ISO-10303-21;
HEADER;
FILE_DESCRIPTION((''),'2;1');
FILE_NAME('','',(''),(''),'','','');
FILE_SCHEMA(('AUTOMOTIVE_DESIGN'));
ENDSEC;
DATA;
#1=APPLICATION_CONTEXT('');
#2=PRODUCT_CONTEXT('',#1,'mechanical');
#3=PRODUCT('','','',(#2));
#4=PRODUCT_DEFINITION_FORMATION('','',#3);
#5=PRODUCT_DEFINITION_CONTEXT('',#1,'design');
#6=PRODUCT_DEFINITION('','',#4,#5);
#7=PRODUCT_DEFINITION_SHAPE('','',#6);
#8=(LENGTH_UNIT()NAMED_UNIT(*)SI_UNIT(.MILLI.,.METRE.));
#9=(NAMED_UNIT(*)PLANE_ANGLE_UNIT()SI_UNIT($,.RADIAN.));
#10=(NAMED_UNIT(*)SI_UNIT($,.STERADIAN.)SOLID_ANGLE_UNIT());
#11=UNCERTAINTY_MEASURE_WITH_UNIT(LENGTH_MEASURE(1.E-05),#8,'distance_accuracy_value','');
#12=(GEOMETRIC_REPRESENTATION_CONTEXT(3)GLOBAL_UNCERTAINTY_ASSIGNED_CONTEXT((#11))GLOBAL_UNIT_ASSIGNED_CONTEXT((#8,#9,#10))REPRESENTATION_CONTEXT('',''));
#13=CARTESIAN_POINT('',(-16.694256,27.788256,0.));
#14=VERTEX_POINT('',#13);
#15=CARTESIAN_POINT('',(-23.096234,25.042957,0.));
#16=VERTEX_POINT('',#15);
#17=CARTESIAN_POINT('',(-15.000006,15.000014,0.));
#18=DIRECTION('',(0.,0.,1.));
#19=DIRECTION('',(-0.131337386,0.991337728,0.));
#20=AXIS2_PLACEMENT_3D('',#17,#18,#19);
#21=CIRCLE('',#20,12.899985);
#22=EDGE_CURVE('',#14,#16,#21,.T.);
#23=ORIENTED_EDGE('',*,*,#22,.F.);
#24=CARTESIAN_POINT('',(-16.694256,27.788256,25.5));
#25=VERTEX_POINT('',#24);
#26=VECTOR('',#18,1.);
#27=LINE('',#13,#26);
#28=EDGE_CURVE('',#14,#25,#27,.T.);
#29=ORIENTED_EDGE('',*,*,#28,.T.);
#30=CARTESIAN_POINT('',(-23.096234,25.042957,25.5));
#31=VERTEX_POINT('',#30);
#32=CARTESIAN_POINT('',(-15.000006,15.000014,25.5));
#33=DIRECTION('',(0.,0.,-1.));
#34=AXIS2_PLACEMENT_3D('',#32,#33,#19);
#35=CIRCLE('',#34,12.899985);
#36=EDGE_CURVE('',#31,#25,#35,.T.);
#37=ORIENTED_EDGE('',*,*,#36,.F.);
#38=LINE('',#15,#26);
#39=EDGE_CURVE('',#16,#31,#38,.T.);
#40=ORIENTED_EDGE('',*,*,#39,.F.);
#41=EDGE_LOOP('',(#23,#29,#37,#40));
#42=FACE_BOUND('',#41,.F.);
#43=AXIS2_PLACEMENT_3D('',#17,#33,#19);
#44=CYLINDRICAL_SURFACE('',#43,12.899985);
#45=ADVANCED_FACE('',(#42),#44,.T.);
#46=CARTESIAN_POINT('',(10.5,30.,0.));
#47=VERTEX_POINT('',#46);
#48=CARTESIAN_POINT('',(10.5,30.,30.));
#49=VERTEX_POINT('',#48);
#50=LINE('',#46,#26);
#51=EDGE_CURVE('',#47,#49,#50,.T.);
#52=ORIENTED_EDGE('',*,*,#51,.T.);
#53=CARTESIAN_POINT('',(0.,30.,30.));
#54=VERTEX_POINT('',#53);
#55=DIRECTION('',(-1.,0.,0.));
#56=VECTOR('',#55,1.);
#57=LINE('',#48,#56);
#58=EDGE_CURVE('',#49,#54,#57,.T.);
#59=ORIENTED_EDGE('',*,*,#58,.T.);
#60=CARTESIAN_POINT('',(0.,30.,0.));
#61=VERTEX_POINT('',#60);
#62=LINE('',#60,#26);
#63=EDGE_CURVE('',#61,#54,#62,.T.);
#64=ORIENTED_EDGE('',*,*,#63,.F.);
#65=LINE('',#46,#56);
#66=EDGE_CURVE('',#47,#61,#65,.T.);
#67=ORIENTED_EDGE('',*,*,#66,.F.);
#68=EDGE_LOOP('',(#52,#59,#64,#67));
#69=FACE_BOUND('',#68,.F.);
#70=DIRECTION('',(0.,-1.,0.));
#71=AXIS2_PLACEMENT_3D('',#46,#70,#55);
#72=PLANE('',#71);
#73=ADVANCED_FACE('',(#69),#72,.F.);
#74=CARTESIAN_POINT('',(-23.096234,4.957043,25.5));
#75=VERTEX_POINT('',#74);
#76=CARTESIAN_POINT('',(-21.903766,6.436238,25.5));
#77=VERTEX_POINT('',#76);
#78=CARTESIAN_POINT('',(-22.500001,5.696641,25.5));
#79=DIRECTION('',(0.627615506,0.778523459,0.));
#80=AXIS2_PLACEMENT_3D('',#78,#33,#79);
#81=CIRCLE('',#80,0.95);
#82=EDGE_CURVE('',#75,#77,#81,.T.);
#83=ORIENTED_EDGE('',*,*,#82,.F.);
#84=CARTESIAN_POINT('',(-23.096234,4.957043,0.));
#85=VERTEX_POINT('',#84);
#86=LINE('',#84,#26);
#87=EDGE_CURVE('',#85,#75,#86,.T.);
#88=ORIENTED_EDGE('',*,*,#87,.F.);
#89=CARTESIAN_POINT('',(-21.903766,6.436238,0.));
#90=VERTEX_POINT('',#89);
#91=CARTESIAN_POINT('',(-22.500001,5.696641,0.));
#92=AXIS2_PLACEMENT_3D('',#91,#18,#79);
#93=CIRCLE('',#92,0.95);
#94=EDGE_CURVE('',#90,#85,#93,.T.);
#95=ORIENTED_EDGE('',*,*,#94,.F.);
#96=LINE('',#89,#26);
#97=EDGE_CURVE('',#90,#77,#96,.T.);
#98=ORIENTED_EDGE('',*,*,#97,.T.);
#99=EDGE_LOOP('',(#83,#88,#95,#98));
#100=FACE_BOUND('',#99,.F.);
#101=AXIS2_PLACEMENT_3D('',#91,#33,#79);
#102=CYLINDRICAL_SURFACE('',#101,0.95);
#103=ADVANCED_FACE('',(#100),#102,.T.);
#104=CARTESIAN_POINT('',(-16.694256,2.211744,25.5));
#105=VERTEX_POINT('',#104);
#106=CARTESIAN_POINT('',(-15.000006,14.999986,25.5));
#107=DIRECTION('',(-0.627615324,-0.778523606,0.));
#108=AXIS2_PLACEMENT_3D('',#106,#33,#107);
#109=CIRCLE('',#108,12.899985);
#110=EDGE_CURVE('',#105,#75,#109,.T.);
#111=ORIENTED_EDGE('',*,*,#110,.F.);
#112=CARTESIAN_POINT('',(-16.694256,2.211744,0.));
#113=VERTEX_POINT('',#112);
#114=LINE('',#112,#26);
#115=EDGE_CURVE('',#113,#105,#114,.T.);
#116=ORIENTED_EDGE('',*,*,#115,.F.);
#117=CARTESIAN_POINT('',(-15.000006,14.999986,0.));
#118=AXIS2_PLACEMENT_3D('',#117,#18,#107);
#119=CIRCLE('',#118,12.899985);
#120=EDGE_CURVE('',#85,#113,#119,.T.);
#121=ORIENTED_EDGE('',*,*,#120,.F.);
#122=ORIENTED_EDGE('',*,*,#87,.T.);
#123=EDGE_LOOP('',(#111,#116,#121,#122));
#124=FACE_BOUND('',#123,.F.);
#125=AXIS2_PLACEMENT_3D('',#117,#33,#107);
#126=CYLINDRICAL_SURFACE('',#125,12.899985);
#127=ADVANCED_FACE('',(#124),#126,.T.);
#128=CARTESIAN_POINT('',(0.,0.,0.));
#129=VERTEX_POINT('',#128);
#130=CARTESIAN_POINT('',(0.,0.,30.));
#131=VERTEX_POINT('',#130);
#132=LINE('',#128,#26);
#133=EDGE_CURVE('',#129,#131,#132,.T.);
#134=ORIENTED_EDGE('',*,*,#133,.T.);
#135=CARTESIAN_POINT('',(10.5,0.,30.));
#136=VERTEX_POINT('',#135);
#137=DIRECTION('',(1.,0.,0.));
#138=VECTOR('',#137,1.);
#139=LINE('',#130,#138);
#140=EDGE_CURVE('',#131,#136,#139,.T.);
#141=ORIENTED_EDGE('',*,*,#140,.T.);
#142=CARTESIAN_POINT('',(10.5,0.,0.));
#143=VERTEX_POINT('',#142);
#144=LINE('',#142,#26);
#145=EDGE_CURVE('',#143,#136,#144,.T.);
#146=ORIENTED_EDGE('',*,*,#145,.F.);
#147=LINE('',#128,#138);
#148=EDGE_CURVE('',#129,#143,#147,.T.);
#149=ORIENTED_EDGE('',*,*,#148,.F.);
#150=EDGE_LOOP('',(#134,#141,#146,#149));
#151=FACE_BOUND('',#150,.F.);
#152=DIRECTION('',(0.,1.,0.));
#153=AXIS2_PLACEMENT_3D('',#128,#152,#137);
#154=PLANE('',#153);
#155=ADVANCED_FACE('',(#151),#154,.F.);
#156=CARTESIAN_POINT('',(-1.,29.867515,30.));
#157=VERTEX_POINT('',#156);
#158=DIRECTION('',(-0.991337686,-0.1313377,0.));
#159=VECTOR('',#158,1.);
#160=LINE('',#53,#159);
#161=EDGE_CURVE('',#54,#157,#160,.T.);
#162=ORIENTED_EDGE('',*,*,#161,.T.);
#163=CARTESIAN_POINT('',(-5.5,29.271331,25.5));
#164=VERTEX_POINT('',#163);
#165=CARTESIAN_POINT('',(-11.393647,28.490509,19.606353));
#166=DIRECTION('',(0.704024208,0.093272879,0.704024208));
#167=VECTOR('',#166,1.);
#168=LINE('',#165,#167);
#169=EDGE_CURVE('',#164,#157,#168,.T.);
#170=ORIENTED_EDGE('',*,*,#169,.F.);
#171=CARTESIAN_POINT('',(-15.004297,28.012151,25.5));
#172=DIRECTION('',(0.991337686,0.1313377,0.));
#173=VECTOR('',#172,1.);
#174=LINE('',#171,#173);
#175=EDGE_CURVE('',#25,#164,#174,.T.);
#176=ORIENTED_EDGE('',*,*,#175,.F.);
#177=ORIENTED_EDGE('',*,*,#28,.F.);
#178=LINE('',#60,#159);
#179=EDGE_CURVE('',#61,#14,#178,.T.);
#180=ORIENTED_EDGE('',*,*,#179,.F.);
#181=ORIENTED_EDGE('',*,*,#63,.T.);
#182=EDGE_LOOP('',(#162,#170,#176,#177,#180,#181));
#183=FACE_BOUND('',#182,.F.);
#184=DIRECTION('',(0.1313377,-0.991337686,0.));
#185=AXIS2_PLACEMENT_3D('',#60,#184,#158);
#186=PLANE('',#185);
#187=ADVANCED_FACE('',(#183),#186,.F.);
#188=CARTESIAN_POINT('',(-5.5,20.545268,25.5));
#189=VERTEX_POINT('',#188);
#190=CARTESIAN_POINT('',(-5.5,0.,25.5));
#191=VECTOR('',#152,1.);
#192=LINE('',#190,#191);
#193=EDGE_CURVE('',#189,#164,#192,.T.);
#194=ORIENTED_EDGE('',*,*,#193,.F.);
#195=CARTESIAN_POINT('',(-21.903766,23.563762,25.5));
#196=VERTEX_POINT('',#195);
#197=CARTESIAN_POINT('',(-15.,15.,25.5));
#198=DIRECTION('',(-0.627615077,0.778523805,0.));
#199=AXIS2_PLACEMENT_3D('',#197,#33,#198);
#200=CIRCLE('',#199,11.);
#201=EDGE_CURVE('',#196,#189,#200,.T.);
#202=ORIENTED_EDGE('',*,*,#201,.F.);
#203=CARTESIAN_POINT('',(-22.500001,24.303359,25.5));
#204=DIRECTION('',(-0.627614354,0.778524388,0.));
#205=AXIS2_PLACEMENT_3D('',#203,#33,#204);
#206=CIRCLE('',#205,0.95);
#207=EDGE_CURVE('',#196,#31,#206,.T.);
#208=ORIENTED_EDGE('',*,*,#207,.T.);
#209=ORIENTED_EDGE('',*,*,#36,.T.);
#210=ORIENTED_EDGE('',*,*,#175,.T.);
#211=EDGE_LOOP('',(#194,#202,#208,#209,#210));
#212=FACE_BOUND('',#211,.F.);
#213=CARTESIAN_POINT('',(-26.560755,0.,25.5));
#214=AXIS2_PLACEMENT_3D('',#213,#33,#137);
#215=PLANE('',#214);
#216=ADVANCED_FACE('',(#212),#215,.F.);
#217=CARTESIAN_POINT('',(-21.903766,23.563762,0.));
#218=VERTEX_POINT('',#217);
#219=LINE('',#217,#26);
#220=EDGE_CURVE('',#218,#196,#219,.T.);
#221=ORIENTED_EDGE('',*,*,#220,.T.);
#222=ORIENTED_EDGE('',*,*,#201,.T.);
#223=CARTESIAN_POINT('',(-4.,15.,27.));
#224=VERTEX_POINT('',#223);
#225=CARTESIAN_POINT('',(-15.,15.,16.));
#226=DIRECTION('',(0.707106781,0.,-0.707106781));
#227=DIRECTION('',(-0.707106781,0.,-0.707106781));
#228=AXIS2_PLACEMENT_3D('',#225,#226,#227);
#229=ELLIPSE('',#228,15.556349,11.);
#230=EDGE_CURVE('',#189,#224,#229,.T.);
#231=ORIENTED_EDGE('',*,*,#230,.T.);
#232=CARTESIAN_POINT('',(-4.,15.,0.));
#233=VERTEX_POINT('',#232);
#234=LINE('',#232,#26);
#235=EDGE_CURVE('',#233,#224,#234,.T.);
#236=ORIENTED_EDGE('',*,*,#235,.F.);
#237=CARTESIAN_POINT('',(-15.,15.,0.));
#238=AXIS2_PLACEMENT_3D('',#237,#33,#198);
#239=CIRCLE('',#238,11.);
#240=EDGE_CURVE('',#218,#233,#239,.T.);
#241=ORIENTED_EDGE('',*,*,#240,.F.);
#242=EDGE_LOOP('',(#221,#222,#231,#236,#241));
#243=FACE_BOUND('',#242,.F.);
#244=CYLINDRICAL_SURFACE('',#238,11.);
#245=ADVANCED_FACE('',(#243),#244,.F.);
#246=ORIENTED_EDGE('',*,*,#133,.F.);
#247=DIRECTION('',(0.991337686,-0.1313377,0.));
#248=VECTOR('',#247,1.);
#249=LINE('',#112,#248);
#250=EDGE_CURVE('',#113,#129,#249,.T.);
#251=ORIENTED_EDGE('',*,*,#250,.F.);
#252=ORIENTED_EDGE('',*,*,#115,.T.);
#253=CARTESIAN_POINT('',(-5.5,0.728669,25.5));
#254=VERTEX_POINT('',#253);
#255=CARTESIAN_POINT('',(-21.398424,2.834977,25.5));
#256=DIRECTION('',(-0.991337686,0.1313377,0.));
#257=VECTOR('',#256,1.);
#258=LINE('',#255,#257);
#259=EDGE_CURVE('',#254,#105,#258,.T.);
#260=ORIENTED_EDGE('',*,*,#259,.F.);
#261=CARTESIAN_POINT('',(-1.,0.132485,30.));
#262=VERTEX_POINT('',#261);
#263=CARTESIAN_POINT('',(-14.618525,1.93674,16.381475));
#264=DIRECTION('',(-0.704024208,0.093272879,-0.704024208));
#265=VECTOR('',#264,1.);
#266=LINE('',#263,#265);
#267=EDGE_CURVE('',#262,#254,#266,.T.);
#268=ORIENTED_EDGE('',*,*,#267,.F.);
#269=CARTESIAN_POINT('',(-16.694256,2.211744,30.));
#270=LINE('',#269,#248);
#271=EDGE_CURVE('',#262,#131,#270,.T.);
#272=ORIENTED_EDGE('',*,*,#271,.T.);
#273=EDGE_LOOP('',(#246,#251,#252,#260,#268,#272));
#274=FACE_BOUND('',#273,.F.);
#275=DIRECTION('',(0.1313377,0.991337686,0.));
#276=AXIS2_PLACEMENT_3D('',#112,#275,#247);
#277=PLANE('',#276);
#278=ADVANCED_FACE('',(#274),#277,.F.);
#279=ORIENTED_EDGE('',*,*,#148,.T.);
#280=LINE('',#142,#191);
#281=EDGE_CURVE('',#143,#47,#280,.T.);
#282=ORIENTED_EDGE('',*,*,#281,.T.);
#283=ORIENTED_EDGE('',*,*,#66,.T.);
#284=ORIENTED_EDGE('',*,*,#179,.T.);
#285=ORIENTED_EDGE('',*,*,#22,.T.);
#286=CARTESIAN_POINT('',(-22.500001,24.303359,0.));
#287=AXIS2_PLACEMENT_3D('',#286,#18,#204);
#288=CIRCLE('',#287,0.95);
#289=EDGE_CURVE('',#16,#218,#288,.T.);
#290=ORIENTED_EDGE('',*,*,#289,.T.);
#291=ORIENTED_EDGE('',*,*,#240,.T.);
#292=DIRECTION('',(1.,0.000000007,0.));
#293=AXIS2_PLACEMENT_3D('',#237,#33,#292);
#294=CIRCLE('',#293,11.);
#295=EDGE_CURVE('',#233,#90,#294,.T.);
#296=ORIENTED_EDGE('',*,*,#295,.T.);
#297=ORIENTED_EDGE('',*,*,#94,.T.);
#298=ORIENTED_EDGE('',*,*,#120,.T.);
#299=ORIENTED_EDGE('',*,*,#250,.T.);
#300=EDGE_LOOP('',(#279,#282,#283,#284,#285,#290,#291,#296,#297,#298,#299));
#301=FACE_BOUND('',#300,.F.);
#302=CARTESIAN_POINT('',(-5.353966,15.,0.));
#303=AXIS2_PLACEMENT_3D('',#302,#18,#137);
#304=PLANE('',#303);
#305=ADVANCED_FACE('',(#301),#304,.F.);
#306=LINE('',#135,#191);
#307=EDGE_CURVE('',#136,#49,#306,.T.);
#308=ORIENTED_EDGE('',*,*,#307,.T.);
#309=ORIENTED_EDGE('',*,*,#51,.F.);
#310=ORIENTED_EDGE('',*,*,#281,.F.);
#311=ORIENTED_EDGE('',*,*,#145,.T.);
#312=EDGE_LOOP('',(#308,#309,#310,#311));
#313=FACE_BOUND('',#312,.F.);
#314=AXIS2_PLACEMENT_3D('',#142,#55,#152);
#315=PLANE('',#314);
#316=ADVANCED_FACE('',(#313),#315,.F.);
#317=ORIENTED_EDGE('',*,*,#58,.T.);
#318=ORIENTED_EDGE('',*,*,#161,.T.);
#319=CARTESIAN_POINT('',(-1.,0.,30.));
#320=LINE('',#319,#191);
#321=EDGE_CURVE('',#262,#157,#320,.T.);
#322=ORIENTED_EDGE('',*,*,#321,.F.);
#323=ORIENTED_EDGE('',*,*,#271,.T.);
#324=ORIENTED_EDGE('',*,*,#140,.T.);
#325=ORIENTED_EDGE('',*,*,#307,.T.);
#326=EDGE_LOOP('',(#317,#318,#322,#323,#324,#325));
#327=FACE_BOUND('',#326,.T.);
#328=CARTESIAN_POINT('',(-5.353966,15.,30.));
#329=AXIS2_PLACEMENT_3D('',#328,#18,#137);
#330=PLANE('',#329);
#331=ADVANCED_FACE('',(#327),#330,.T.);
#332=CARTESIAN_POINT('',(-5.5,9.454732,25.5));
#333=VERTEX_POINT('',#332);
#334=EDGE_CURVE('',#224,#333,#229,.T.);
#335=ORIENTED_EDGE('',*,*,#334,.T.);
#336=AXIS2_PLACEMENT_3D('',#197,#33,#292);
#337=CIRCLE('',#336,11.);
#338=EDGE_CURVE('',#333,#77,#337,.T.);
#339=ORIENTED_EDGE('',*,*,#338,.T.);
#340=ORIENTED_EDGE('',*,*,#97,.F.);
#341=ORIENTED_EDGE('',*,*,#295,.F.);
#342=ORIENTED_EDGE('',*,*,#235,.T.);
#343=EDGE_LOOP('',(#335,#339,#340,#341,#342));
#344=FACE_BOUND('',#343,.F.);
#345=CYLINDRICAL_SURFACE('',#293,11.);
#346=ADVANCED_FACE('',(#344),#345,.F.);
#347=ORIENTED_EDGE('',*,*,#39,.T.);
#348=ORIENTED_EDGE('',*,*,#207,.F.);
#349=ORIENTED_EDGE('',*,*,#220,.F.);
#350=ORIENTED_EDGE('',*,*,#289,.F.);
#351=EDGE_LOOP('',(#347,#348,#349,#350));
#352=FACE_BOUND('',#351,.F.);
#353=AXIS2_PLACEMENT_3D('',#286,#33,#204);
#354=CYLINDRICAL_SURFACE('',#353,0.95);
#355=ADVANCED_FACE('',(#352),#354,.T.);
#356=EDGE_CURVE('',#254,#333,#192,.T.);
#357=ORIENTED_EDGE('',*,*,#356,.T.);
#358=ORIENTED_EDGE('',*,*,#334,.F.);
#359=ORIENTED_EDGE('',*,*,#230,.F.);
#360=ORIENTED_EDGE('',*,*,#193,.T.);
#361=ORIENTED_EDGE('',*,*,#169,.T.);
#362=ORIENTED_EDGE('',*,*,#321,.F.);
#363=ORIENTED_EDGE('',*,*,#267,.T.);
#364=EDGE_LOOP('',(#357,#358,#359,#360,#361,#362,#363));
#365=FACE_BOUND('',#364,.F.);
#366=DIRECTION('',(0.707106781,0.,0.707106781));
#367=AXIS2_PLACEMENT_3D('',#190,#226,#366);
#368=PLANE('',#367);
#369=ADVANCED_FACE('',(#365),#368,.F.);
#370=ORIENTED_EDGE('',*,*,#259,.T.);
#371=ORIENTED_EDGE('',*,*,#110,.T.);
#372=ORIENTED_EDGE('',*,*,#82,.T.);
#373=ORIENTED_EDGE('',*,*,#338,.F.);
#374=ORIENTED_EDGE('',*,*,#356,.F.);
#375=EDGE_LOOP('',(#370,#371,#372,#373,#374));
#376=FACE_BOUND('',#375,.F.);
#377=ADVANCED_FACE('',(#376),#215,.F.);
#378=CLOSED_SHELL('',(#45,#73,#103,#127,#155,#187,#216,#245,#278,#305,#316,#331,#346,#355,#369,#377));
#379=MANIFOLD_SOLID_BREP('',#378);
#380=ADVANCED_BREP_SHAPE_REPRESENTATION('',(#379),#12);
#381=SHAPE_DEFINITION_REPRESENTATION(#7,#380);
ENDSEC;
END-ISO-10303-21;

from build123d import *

# Parameters (mm, degrees)
F1_DEPTH = 30
F3_DEPTH = 40


with BuildPart() as f1:
    # F0 (on Top) → F1 (new body)
    with BuildSketch(Plane.XY):
        with BuildLine():
            Line((-16.694256, 2.211744), (0, 0))
            Line((0, 0), (10.5, 0))
            Line((10.5, 0), (10.5, 30))
            Line((10.5, 30), (0, 30))
            Line((0, 30), (-16.694256, 27.788256))
            ThreePointArc((-16.694256, 27.788256), (-20.084053, 26.855902), (-23.096234, 25.042957))
            ThreePointArc((-23.096234, 25.042957), (-23.239598, 23.707125), (-21.903766, 23.563762))
            ThreePointArc((-21.903766, 23.563762), (-10.253497, 24.923241), (-4, 15))
            ThreePointArc((-4, 15), (-10.253497, 5.076759), (-21.903766, 6.436238))
            ThreePointArc((-21.903766, 6.436238), (-23.239598, 6.292875), (-23.096234, 4.957043))
            ThreePointArc((-23.096234, 4.957043), (-20.084053, 3.144098), (-16.694256, 2.211744))
        make_face()
    extrude(amount=F1_DEPTH)

    # F2 (on face) → F3 (cut)
    with BuildSketch(Plane.XZ):
        Polygon((0, 35.99402), (-26.560755, 35.99402), (-26.560755, 25.5), (-5.5, 25.5), (-1, 30), (0, 30), align=None)
    extrude(amount=-F3_DEPTH, mode=Mode.SUBTRACT)


solid = f1.part
